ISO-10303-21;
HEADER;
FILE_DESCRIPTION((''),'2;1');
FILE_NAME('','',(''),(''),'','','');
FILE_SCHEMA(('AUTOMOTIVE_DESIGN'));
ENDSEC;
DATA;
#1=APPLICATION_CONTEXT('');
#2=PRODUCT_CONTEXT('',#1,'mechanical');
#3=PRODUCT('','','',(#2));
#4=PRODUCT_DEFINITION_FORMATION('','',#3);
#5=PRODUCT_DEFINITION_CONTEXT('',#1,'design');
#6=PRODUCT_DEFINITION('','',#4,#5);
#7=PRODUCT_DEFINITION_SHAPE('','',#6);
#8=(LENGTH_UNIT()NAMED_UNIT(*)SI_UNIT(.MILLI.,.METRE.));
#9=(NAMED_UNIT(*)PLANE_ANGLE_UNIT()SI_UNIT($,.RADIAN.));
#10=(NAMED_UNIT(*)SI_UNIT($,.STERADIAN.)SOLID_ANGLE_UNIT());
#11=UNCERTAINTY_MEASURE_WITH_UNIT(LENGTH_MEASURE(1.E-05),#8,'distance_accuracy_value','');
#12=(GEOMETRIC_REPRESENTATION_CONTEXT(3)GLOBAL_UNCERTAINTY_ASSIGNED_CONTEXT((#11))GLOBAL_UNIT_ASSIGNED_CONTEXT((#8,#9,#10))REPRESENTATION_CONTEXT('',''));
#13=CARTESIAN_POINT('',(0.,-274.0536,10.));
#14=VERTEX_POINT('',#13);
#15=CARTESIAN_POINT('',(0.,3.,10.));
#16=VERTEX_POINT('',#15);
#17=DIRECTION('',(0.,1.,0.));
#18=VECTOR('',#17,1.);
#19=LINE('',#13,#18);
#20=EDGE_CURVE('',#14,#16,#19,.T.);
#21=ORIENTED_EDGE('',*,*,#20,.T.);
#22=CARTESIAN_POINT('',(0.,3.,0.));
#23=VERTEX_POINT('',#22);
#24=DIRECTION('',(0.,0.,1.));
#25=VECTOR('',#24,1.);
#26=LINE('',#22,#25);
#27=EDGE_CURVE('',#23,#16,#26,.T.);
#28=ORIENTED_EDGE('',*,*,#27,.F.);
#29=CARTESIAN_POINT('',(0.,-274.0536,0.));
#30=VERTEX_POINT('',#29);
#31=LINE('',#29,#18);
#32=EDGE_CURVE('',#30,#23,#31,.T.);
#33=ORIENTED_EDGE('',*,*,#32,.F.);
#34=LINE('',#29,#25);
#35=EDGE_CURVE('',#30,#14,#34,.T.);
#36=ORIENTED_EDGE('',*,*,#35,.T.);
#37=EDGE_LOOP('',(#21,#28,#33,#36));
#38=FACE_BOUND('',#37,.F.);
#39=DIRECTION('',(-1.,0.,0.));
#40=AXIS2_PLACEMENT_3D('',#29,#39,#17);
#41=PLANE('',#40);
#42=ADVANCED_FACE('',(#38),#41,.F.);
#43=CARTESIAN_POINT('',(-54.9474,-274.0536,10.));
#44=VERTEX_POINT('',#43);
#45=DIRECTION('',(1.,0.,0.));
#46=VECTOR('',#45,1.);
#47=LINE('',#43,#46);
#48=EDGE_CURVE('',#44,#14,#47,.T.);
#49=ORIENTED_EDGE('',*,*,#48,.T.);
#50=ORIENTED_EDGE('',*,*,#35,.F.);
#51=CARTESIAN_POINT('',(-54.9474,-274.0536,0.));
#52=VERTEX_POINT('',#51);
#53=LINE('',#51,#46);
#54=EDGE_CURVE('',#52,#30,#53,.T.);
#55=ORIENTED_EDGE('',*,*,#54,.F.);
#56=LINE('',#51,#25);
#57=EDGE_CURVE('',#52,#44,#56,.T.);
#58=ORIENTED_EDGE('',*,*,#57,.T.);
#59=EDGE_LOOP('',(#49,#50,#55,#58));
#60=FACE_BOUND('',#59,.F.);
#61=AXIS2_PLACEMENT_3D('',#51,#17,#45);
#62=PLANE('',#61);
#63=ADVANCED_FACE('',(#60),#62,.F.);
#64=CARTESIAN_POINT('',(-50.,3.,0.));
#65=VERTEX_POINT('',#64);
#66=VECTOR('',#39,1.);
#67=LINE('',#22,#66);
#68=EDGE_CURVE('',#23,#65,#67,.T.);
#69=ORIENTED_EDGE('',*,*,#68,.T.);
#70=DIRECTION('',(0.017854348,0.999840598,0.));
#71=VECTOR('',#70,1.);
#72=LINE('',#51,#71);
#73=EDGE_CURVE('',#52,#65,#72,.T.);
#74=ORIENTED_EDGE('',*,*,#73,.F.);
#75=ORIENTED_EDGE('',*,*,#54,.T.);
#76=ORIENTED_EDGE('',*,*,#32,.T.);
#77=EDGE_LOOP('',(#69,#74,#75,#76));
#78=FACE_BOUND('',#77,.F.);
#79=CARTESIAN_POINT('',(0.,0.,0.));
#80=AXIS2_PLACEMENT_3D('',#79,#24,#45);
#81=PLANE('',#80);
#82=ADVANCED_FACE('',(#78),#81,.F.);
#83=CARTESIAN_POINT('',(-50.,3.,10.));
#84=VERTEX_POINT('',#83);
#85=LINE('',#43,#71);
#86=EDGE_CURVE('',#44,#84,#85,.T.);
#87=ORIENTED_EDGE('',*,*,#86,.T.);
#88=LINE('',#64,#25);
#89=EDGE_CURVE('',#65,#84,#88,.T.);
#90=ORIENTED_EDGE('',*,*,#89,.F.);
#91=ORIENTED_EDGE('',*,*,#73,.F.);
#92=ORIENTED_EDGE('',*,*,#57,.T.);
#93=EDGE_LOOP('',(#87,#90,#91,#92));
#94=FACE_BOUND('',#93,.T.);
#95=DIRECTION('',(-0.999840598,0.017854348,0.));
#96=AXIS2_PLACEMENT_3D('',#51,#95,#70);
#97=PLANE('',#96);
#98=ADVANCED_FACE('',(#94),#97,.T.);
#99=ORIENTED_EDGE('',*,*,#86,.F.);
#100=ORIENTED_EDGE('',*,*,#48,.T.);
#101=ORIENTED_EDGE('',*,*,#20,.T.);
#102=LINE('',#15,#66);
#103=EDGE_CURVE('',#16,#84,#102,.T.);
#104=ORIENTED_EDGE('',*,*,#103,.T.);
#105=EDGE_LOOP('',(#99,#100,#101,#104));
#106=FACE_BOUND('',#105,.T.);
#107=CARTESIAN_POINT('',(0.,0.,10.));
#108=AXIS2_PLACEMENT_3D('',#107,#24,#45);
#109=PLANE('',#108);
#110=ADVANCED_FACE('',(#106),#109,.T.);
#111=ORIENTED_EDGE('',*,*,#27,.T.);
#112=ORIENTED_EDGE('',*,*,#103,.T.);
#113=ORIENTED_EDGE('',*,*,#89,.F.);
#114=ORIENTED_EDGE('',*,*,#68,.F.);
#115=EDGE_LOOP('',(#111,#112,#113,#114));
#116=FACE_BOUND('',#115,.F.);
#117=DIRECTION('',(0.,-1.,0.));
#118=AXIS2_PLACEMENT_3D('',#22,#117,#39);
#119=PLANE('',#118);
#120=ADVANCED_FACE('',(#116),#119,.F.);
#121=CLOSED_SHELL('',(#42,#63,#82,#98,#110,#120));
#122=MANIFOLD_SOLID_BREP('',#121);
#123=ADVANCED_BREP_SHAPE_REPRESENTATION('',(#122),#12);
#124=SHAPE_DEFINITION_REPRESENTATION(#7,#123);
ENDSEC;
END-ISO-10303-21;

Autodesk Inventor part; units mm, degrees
ref_plane "YZ Plane" through (0, 0, 0) normal (1, 0, 0) x (0, 1, 0)
ref_plane "XZ Plane" through (0, 0, 0) normal (0, 1, 0) x (-1, 0, 0)
ref_plane "Work Plane1" through (0, 0, 0) normal (0, 0, 1) x (1, 0, 0)
sketch "Sketch1" plane through (0, 0, 0) normal (0, 0, 1) x (1, 0, 0)
  line L0 (-50, 3) -> (0, 3) construction
  line L1 (-57.9469, -274) -> (-52.9995, 3.0536) construction
  line L2 (-52.9995, 3.0536) -> (-50, 3) construction
  line L3 (-50, 3) -> (-54.9474, -274.0536) construction
  line L4 (-54.9474, -274.0536) -> (-57.9469, -274) construction
  line L5 (0, 3) -> (-50, 3)
  line L6 (-54.9474, -274.0536) -> (0, -274.0536)
  line L7 (0, -274.0536) -> (0, 3)
  line L8 (-54.9474, -274.0536) -> (-50, 3)
  point P0 (0, 0)
extrude "Extrusion1" add sketch "Sketch1" along normal blind 10
properties part number "internalSupportBottom4" material "Wood (Birch)"
